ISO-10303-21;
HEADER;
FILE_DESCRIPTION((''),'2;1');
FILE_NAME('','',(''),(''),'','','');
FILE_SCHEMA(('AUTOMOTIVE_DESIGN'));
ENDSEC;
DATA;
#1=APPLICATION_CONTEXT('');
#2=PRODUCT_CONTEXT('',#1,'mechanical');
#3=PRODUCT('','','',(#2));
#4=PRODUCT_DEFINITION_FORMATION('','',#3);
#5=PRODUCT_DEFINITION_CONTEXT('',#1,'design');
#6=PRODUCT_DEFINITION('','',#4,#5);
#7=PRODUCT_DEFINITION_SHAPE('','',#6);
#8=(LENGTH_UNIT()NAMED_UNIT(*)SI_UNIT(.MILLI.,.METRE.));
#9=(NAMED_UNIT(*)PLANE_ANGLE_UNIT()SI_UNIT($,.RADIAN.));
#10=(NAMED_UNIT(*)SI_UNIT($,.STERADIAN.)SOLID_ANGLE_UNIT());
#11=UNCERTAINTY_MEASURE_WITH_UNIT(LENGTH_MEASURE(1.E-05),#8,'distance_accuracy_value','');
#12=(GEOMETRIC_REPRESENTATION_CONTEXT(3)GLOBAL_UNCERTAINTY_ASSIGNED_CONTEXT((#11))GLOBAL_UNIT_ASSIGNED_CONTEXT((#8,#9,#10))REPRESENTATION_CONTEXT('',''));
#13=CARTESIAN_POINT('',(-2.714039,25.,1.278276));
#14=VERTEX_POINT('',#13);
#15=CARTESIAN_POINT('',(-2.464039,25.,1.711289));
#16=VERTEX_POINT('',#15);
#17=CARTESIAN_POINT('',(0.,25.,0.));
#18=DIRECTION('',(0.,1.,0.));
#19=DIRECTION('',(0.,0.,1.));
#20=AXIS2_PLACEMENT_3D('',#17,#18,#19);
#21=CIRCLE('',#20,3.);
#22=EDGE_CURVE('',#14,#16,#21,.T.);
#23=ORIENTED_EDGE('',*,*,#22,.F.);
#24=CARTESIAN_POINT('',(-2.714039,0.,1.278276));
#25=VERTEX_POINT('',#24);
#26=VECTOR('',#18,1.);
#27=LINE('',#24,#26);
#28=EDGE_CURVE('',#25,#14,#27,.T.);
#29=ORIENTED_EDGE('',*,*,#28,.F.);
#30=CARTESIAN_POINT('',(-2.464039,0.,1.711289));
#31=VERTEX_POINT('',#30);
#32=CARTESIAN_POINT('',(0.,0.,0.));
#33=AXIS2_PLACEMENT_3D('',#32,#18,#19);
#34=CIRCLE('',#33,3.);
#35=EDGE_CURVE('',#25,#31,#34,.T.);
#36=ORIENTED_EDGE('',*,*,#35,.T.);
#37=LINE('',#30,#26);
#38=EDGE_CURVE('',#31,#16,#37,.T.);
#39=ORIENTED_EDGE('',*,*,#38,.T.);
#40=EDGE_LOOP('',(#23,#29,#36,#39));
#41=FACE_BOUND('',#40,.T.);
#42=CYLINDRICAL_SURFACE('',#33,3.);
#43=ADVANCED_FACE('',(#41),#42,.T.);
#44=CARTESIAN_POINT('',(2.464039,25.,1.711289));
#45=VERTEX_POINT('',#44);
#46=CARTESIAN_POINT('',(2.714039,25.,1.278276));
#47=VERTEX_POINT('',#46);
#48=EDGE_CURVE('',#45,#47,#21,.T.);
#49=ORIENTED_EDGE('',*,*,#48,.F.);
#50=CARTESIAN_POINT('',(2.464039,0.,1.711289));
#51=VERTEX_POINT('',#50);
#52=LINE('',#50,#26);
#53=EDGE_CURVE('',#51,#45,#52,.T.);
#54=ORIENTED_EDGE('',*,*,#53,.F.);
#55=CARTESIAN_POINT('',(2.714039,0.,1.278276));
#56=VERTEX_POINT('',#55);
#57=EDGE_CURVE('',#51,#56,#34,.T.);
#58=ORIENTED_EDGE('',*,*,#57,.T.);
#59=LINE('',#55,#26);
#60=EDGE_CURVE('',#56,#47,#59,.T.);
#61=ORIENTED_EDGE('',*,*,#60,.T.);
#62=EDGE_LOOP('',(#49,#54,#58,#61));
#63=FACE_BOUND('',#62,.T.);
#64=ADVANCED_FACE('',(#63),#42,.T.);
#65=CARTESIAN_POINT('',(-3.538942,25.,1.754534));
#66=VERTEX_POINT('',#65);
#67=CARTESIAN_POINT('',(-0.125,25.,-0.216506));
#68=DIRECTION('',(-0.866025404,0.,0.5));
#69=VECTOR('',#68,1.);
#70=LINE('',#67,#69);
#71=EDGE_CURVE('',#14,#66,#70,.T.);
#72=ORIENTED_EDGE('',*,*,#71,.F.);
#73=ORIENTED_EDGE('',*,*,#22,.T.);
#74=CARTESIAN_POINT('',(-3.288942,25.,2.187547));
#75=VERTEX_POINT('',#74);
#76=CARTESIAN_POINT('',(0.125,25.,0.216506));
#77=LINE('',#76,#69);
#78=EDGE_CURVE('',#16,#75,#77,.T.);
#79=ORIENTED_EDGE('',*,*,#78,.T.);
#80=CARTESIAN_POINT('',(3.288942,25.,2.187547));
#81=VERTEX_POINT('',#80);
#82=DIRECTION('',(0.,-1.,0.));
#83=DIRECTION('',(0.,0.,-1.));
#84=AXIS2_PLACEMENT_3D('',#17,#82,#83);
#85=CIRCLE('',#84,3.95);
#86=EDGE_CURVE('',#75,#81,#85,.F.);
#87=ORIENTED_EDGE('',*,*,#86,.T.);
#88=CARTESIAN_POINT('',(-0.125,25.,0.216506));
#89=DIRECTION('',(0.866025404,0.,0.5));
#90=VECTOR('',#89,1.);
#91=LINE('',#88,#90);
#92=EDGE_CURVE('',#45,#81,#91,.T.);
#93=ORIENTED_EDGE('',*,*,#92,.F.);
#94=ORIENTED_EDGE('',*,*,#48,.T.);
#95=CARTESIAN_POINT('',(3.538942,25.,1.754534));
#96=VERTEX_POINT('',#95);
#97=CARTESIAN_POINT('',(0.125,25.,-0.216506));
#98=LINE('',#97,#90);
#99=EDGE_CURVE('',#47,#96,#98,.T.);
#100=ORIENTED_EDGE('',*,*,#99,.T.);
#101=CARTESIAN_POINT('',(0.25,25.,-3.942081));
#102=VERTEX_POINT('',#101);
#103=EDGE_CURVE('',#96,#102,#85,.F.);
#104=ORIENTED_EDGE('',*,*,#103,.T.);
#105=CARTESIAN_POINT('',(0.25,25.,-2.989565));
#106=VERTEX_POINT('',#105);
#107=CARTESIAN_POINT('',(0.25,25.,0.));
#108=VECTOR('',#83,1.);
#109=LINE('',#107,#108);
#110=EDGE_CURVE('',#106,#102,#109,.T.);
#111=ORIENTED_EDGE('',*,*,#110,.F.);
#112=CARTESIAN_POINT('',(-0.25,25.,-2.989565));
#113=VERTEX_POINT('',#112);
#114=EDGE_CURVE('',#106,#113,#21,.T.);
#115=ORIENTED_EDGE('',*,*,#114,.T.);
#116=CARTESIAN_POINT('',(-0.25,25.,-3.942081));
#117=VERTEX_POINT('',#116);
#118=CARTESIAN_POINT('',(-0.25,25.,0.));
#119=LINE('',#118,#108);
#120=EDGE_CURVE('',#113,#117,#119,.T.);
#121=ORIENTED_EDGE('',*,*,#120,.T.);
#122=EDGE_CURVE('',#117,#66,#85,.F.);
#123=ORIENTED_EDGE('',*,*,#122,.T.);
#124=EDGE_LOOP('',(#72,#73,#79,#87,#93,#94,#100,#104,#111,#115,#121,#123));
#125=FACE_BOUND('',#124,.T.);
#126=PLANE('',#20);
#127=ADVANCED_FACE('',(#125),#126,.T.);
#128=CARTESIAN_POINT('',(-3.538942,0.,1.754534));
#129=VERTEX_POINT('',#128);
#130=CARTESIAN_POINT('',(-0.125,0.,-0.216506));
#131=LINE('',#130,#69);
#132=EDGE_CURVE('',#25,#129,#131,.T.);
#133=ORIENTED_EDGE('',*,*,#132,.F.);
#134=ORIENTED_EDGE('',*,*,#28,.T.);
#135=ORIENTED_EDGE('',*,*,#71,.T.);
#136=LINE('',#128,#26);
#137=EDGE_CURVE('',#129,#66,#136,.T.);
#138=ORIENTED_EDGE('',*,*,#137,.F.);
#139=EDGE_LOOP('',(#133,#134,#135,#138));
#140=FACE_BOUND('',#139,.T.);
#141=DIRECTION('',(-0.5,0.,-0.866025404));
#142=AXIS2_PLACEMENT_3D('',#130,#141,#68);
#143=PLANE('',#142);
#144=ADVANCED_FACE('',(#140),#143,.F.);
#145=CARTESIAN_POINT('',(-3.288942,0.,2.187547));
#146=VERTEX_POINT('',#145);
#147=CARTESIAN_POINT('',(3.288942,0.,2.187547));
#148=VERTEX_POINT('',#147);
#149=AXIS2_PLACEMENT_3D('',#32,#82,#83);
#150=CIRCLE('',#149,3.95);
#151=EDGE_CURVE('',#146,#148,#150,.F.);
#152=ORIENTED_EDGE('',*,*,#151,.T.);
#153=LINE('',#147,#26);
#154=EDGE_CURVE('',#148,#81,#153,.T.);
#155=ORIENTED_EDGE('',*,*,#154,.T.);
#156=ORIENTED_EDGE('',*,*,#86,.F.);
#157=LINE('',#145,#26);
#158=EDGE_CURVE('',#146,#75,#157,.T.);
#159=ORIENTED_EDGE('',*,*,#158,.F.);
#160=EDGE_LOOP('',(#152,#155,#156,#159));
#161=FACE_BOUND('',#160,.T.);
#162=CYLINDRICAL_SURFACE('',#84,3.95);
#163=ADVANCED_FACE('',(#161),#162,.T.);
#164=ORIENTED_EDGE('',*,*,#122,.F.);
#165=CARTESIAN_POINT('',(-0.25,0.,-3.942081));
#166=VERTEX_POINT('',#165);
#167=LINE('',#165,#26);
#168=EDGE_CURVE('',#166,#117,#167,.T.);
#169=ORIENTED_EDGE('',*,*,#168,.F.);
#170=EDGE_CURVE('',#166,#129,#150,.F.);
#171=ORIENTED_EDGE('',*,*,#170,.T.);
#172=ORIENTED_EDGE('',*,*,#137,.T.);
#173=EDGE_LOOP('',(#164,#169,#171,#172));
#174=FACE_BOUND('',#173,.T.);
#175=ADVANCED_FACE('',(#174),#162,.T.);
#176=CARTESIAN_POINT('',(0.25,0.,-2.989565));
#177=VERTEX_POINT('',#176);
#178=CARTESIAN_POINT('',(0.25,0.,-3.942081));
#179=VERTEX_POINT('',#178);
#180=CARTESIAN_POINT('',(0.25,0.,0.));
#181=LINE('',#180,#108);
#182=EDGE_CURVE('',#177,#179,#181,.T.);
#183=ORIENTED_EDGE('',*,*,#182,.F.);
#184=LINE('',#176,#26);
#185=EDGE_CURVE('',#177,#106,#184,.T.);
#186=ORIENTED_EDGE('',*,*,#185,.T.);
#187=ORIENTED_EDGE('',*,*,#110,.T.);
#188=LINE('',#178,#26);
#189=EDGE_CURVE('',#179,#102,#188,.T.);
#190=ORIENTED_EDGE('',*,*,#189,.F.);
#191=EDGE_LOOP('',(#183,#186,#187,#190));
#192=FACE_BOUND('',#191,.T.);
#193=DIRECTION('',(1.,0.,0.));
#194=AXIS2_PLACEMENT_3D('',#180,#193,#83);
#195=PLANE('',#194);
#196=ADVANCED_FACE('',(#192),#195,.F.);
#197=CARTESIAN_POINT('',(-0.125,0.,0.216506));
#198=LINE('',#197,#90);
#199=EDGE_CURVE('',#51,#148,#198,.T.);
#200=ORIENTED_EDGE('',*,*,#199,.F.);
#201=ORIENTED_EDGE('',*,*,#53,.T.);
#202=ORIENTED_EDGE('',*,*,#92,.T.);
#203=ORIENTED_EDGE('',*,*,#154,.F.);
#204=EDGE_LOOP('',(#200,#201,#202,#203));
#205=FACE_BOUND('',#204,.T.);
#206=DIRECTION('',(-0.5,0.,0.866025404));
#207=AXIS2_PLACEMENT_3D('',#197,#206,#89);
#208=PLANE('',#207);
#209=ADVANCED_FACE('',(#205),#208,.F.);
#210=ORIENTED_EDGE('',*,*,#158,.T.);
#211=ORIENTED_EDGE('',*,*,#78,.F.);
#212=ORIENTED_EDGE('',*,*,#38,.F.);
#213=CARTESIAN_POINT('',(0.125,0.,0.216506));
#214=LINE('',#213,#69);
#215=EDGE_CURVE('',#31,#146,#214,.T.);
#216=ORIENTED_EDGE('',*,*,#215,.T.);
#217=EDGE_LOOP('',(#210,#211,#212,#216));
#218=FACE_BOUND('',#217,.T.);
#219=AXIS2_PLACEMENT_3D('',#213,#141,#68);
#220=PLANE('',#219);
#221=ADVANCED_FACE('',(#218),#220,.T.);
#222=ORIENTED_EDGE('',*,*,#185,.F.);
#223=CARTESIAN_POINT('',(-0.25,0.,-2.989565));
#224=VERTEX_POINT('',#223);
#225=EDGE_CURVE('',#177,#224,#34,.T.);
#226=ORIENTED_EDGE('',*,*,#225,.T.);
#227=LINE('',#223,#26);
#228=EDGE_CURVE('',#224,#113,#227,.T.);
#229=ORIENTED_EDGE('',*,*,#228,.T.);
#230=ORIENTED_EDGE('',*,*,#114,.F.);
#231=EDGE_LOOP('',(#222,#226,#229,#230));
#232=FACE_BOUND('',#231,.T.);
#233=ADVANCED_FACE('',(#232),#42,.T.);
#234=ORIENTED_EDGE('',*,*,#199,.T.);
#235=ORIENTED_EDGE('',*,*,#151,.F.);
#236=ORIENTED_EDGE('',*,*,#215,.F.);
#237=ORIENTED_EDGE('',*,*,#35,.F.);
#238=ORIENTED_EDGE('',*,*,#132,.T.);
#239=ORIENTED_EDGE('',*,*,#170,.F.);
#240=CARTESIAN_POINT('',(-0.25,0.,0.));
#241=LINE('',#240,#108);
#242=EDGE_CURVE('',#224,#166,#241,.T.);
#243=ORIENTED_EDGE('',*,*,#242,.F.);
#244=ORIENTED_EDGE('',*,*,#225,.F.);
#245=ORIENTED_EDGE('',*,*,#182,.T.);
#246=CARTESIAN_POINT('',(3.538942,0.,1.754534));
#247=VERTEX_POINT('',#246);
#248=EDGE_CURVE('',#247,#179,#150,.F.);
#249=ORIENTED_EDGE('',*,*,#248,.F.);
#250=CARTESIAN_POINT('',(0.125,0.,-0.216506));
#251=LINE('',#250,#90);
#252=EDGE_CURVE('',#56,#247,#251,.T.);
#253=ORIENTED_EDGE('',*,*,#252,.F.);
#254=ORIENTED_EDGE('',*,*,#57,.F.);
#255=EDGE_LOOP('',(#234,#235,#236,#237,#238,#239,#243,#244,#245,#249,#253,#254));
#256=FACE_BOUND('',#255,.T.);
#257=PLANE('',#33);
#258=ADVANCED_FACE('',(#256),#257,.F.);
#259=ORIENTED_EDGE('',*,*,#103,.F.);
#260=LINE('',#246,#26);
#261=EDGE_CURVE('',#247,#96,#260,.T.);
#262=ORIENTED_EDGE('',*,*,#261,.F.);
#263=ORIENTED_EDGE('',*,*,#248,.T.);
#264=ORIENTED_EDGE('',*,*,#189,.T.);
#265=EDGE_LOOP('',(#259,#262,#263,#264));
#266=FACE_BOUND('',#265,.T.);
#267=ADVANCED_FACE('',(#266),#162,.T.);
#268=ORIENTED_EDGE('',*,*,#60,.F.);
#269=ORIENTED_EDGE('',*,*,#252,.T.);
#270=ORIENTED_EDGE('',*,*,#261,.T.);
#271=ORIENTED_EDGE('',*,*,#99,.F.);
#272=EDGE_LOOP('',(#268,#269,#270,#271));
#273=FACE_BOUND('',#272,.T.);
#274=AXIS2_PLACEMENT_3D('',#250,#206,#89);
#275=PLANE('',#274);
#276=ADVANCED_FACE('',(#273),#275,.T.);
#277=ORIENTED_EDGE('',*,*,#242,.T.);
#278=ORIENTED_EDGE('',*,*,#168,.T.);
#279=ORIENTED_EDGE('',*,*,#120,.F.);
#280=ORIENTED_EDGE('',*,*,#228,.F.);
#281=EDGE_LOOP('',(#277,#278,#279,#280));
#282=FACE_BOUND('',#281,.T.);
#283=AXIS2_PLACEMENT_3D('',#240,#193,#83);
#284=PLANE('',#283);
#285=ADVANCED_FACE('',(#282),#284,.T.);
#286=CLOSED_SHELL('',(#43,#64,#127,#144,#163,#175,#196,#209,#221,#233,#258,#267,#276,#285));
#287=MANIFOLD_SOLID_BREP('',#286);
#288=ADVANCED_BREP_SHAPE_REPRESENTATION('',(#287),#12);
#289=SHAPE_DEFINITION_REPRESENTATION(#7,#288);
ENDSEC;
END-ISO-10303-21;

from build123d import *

# Parameters (mm, degrees)
SKETCH1_R           = 3.95
BOSS_EXTRUDE1_DEPTH = 25
CUT_EXTRUDE1_DEPTH  = 25


with BuildPart() as part:
    # Sketch1 → Boss-Extrude1 (new body)
    with BuildSketch(Plane(origin=(0, 0, 0), x_dir=(1, 0, 0), z_dir=(0, 1, 0))):
        with Locations(Location((0, 0, 0), (0, 0, 270))):
            Circle(SKETCH1_R)
    extrude(amount=BOSS_EXTRUDE1_DEPTH)

    # Sketch2 → Cut-Extrude1 (cut)
    with BuildSketch(Plane(origin=(0, 25, 0), x_dir=(1, 0, 0), z_dir=(0, 1, 0))):
        with BuildLine():
            ThreePointArc((-0.25, 2.989565186), (0, 3), (0.25, 2.989565186))
            Line((0.25, 2.989565186), (0.25, 3.942080669))
            Line((0.25, 3.942080669), (-0.25, 3.942080669))
            Line((-0.25, 3.942080669), (-0.25, 2.989565186))
        make_face()
        with BuildLine():
            Line((-3.288942003, -2.187546685), (-2.464039397, -1.711288944))
            ThreePointArc((-2.464039397, -1.711288944), (-2.598076211, -1.5), (-2.714039397, -1.278276242))
            Line((-2.714039397, -1.278276242), (-3.538942003, -1.754533983))
            Line((-3.538942003, -1.754533983), (-3.288942003, -2.187546685))
        make_face()
        with BuildLine():
            Line((3.538942003, -1.754533983), (2.714039397, -1.278276242))
            ThreePointArc((2.714039397, -1.278276242), (2.598076211, -1.5), (2.464039397, -1.711288944))
            Line((2.464039397, -1.711288944), (3.288942003, -2.187546685))
            Line((3.288942003, -2.187546685), (3.538942003, -1.754533983))
        make_face()
    extrude(amount=-CUT_EXTRUDE1_DEPTH, mode=Mode.SUBTRACT)


with BuildPart() as cut_extrude1_kept_piece:
    # of the separate pieces the step leaves, the one the design keeps (cut_extrude1_pieces_kept)
    add(part.part.solids().sort_by_distance((2.464039397, 25, 1.711288944))[0])


solid = cut_extrude1_kept_piece.part
